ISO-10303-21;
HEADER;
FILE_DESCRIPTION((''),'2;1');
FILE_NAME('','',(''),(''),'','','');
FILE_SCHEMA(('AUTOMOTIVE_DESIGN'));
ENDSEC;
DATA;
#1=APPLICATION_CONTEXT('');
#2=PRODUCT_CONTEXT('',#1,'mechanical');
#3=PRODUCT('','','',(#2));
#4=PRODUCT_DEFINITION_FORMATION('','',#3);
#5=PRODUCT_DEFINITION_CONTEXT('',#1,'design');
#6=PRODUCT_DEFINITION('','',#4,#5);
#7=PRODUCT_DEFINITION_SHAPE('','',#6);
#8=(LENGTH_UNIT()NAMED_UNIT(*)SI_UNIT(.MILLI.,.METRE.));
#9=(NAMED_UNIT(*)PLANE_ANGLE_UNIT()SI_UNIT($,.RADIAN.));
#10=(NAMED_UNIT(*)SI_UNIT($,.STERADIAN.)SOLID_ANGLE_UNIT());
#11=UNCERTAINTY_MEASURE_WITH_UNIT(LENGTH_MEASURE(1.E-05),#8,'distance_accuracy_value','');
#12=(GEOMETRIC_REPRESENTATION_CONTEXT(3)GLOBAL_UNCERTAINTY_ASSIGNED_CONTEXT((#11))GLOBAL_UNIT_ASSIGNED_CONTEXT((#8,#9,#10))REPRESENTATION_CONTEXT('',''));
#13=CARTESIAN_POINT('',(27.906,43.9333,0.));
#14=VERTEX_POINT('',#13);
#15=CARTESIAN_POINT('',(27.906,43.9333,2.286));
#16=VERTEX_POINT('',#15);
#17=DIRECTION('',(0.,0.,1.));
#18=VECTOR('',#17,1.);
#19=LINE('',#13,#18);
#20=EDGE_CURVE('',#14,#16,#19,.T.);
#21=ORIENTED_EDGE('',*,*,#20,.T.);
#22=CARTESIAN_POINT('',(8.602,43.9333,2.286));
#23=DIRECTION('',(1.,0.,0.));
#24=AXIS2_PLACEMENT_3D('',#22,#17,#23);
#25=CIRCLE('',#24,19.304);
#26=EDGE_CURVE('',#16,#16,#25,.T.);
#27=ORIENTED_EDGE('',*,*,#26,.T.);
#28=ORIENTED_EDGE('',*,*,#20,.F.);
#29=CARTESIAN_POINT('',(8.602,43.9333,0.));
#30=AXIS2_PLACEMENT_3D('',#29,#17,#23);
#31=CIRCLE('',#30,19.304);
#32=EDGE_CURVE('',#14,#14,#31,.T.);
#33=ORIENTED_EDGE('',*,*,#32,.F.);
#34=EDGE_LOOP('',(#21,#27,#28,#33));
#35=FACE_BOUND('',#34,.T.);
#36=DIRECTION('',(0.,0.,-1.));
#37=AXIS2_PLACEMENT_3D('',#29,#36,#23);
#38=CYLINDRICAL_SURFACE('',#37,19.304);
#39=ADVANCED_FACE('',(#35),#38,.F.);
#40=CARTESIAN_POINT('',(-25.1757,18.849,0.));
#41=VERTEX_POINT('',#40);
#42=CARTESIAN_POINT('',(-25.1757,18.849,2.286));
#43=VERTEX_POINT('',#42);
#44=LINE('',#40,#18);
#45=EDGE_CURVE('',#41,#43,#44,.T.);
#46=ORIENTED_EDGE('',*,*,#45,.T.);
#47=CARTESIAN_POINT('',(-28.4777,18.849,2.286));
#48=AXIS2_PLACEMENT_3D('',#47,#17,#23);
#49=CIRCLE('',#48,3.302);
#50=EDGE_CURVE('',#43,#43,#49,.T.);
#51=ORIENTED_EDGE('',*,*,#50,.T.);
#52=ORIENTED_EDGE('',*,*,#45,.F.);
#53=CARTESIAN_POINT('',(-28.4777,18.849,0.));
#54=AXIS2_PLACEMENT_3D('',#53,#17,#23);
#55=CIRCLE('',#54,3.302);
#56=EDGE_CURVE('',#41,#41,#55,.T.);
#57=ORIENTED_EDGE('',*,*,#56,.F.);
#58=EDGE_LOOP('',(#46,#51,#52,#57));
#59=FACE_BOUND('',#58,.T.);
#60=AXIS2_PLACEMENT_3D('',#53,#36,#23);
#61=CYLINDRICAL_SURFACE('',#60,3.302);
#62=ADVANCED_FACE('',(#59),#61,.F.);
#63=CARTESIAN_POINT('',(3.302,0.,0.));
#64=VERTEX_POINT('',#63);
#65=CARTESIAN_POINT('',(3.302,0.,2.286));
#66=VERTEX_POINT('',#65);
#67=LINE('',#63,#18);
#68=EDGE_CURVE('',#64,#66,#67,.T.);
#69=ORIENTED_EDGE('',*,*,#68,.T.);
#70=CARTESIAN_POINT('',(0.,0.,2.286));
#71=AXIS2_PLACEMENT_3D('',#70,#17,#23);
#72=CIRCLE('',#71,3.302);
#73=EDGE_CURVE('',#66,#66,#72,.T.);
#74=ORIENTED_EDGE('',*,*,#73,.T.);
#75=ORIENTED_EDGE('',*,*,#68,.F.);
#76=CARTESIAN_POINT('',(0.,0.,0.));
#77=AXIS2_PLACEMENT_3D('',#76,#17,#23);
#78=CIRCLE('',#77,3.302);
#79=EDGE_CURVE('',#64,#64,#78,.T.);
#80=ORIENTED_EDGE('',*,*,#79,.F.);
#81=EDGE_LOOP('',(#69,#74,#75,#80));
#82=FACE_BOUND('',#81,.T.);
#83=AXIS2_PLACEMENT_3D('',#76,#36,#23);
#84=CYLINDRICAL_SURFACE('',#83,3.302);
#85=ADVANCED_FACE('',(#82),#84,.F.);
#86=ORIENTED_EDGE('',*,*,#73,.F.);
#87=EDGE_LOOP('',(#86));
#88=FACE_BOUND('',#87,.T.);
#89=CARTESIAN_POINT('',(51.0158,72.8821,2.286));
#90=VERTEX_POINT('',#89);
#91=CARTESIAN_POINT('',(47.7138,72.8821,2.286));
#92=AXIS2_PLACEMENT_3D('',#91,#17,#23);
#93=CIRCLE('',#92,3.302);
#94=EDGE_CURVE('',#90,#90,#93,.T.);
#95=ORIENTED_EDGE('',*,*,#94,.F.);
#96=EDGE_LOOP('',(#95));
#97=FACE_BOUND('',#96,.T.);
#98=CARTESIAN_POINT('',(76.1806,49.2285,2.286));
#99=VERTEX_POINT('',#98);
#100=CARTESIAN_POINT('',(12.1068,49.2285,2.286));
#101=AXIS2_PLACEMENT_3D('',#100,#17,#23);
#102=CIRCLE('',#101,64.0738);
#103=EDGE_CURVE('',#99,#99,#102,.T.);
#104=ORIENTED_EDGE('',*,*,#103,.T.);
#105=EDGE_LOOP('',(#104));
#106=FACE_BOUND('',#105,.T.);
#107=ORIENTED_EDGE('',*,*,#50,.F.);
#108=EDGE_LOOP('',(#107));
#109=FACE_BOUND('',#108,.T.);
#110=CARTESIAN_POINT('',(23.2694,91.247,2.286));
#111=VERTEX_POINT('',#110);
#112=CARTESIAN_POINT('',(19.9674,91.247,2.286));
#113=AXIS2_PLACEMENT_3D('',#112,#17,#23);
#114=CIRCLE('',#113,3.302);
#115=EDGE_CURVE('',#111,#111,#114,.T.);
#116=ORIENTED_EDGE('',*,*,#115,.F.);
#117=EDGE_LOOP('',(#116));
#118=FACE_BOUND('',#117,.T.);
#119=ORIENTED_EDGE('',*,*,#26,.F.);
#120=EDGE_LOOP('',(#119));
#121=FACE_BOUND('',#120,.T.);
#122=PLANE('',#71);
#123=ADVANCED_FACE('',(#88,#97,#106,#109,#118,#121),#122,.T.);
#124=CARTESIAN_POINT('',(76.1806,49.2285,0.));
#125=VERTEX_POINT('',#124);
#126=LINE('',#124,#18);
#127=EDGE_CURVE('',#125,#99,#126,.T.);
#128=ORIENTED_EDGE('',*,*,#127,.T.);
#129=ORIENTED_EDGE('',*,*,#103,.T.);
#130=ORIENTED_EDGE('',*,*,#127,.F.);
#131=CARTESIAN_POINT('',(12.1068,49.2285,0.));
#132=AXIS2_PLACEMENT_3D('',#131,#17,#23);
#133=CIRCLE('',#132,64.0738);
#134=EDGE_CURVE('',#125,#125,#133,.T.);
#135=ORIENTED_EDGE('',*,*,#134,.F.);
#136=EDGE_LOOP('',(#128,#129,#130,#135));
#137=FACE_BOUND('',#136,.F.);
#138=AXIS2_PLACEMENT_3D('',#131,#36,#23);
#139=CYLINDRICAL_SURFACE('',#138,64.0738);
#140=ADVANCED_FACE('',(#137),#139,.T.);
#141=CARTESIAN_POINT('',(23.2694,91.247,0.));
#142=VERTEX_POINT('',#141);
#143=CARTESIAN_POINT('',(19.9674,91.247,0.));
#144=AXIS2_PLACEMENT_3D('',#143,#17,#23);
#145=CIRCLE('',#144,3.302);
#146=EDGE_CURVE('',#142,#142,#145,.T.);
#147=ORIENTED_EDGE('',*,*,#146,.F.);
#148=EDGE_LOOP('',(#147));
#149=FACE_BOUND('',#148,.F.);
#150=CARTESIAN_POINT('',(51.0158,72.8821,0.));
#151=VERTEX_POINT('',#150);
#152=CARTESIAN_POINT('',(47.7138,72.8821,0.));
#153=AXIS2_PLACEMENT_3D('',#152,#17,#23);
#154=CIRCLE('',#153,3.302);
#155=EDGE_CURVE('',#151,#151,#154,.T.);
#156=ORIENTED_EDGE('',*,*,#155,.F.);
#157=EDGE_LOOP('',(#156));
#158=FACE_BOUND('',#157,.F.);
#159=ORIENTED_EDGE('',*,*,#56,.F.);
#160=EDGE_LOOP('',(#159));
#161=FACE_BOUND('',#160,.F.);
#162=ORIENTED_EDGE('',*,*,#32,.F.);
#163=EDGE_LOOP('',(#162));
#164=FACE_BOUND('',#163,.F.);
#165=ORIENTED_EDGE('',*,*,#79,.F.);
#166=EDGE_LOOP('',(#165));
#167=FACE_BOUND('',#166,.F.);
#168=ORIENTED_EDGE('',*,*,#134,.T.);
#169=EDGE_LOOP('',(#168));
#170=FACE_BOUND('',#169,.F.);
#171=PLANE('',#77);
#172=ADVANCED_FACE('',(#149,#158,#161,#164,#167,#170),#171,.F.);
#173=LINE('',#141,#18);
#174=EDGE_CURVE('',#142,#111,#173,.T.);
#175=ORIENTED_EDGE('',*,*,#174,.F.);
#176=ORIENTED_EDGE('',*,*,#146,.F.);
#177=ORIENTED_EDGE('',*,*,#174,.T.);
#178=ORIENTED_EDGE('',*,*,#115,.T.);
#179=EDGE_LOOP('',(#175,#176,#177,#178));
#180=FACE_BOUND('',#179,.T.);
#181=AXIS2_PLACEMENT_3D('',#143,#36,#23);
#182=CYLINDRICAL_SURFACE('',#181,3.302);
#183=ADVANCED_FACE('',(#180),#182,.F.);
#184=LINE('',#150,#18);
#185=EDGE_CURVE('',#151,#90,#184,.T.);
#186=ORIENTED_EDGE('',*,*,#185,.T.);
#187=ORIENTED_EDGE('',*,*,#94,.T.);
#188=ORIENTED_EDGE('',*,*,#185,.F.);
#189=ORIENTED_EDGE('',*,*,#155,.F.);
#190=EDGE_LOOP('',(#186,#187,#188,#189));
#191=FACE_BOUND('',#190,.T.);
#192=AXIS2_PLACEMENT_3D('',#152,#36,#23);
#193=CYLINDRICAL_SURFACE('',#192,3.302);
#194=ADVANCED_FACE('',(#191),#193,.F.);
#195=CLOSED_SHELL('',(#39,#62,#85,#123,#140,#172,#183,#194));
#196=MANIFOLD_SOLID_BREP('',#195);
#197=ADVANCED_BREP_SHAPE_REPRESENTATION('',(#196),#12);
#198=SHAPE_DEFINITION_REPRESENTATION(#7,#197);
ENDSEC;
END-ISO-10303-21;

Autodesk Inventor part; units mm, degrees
ref_plane "YZ Plane" through (0, 0, 0) normal (1, 0, 0) x (0, 1, 0)
ref_plane "XZ Plane" through (0, 0, 0) normal (0, 1, 0) x (-1, 0, 0)
ref_plane "XY Plane" through (0, 0, 0) normal (0, 0, 1) x (1, 0, 0)
sketch "Sketch1" plane through (0, 0, 0) normal (0, 0, 1) x (1, 0, 0)
  circle A0 centre (8.602, 43.9333) radius 18.288 construction
  circle A1 centre (-28.4777, 18.849) radius 3.302 projected
  circle A2 centre (0, 0) radius 3.302 projected
  circle A3 centre (19.9674, 91.247) radius 3.302 projected
  circle A4 centre (47.7138, 72.8821) radius 3.302 projected
  ellipse E0 centre (12.1068, 49.2285) end of major axis (47.4715, 102.6587) minor radius 35.9584 construction
  circle A5 centre (8.602, 43.9333) radius 19.304
  circle A6 centre (8.602, 43.9333) radius 19.05 construction
  line L0 (47.4715, 102.6587) -> (-23.2579, -4.2018) construction
  line L1 (19.9674, 91.247) -> (47.4715, 102.6587) construction
  line L2 (47.7138, 72.8821) -> (47.4715, 102.6587) construction
  circle A7 centre (12.1068, 49.2285) radius 64.0738
  point P0 (0, 0)
  dimension "d3" = 38.1
  dimension "d4" = 0.254
extrude "Extrusion1" add sketch "Sketch1" along normal blind 2.286
equation "\"BendRadius\" = Thickness"
equation "\"BendReliefWidth\" = Thickness"
equation "\"BendReliefDepth\" = 0.5 * Thickness"
equation "\"CornerReliefSize\" = 4 * Thickness"
equation "\"MinimumRemnant\" = 2 * Thickness"
equation "\"TransitionRadius\" = BendRadius"
equation "\"JacobiRadiusSize\" = BendRadius"
equation "\"GapSize\" = Thickness"
equation "\"Thickness\" = 2.286"
properties part number "Upper Hub Plate" material "Aluminum"
